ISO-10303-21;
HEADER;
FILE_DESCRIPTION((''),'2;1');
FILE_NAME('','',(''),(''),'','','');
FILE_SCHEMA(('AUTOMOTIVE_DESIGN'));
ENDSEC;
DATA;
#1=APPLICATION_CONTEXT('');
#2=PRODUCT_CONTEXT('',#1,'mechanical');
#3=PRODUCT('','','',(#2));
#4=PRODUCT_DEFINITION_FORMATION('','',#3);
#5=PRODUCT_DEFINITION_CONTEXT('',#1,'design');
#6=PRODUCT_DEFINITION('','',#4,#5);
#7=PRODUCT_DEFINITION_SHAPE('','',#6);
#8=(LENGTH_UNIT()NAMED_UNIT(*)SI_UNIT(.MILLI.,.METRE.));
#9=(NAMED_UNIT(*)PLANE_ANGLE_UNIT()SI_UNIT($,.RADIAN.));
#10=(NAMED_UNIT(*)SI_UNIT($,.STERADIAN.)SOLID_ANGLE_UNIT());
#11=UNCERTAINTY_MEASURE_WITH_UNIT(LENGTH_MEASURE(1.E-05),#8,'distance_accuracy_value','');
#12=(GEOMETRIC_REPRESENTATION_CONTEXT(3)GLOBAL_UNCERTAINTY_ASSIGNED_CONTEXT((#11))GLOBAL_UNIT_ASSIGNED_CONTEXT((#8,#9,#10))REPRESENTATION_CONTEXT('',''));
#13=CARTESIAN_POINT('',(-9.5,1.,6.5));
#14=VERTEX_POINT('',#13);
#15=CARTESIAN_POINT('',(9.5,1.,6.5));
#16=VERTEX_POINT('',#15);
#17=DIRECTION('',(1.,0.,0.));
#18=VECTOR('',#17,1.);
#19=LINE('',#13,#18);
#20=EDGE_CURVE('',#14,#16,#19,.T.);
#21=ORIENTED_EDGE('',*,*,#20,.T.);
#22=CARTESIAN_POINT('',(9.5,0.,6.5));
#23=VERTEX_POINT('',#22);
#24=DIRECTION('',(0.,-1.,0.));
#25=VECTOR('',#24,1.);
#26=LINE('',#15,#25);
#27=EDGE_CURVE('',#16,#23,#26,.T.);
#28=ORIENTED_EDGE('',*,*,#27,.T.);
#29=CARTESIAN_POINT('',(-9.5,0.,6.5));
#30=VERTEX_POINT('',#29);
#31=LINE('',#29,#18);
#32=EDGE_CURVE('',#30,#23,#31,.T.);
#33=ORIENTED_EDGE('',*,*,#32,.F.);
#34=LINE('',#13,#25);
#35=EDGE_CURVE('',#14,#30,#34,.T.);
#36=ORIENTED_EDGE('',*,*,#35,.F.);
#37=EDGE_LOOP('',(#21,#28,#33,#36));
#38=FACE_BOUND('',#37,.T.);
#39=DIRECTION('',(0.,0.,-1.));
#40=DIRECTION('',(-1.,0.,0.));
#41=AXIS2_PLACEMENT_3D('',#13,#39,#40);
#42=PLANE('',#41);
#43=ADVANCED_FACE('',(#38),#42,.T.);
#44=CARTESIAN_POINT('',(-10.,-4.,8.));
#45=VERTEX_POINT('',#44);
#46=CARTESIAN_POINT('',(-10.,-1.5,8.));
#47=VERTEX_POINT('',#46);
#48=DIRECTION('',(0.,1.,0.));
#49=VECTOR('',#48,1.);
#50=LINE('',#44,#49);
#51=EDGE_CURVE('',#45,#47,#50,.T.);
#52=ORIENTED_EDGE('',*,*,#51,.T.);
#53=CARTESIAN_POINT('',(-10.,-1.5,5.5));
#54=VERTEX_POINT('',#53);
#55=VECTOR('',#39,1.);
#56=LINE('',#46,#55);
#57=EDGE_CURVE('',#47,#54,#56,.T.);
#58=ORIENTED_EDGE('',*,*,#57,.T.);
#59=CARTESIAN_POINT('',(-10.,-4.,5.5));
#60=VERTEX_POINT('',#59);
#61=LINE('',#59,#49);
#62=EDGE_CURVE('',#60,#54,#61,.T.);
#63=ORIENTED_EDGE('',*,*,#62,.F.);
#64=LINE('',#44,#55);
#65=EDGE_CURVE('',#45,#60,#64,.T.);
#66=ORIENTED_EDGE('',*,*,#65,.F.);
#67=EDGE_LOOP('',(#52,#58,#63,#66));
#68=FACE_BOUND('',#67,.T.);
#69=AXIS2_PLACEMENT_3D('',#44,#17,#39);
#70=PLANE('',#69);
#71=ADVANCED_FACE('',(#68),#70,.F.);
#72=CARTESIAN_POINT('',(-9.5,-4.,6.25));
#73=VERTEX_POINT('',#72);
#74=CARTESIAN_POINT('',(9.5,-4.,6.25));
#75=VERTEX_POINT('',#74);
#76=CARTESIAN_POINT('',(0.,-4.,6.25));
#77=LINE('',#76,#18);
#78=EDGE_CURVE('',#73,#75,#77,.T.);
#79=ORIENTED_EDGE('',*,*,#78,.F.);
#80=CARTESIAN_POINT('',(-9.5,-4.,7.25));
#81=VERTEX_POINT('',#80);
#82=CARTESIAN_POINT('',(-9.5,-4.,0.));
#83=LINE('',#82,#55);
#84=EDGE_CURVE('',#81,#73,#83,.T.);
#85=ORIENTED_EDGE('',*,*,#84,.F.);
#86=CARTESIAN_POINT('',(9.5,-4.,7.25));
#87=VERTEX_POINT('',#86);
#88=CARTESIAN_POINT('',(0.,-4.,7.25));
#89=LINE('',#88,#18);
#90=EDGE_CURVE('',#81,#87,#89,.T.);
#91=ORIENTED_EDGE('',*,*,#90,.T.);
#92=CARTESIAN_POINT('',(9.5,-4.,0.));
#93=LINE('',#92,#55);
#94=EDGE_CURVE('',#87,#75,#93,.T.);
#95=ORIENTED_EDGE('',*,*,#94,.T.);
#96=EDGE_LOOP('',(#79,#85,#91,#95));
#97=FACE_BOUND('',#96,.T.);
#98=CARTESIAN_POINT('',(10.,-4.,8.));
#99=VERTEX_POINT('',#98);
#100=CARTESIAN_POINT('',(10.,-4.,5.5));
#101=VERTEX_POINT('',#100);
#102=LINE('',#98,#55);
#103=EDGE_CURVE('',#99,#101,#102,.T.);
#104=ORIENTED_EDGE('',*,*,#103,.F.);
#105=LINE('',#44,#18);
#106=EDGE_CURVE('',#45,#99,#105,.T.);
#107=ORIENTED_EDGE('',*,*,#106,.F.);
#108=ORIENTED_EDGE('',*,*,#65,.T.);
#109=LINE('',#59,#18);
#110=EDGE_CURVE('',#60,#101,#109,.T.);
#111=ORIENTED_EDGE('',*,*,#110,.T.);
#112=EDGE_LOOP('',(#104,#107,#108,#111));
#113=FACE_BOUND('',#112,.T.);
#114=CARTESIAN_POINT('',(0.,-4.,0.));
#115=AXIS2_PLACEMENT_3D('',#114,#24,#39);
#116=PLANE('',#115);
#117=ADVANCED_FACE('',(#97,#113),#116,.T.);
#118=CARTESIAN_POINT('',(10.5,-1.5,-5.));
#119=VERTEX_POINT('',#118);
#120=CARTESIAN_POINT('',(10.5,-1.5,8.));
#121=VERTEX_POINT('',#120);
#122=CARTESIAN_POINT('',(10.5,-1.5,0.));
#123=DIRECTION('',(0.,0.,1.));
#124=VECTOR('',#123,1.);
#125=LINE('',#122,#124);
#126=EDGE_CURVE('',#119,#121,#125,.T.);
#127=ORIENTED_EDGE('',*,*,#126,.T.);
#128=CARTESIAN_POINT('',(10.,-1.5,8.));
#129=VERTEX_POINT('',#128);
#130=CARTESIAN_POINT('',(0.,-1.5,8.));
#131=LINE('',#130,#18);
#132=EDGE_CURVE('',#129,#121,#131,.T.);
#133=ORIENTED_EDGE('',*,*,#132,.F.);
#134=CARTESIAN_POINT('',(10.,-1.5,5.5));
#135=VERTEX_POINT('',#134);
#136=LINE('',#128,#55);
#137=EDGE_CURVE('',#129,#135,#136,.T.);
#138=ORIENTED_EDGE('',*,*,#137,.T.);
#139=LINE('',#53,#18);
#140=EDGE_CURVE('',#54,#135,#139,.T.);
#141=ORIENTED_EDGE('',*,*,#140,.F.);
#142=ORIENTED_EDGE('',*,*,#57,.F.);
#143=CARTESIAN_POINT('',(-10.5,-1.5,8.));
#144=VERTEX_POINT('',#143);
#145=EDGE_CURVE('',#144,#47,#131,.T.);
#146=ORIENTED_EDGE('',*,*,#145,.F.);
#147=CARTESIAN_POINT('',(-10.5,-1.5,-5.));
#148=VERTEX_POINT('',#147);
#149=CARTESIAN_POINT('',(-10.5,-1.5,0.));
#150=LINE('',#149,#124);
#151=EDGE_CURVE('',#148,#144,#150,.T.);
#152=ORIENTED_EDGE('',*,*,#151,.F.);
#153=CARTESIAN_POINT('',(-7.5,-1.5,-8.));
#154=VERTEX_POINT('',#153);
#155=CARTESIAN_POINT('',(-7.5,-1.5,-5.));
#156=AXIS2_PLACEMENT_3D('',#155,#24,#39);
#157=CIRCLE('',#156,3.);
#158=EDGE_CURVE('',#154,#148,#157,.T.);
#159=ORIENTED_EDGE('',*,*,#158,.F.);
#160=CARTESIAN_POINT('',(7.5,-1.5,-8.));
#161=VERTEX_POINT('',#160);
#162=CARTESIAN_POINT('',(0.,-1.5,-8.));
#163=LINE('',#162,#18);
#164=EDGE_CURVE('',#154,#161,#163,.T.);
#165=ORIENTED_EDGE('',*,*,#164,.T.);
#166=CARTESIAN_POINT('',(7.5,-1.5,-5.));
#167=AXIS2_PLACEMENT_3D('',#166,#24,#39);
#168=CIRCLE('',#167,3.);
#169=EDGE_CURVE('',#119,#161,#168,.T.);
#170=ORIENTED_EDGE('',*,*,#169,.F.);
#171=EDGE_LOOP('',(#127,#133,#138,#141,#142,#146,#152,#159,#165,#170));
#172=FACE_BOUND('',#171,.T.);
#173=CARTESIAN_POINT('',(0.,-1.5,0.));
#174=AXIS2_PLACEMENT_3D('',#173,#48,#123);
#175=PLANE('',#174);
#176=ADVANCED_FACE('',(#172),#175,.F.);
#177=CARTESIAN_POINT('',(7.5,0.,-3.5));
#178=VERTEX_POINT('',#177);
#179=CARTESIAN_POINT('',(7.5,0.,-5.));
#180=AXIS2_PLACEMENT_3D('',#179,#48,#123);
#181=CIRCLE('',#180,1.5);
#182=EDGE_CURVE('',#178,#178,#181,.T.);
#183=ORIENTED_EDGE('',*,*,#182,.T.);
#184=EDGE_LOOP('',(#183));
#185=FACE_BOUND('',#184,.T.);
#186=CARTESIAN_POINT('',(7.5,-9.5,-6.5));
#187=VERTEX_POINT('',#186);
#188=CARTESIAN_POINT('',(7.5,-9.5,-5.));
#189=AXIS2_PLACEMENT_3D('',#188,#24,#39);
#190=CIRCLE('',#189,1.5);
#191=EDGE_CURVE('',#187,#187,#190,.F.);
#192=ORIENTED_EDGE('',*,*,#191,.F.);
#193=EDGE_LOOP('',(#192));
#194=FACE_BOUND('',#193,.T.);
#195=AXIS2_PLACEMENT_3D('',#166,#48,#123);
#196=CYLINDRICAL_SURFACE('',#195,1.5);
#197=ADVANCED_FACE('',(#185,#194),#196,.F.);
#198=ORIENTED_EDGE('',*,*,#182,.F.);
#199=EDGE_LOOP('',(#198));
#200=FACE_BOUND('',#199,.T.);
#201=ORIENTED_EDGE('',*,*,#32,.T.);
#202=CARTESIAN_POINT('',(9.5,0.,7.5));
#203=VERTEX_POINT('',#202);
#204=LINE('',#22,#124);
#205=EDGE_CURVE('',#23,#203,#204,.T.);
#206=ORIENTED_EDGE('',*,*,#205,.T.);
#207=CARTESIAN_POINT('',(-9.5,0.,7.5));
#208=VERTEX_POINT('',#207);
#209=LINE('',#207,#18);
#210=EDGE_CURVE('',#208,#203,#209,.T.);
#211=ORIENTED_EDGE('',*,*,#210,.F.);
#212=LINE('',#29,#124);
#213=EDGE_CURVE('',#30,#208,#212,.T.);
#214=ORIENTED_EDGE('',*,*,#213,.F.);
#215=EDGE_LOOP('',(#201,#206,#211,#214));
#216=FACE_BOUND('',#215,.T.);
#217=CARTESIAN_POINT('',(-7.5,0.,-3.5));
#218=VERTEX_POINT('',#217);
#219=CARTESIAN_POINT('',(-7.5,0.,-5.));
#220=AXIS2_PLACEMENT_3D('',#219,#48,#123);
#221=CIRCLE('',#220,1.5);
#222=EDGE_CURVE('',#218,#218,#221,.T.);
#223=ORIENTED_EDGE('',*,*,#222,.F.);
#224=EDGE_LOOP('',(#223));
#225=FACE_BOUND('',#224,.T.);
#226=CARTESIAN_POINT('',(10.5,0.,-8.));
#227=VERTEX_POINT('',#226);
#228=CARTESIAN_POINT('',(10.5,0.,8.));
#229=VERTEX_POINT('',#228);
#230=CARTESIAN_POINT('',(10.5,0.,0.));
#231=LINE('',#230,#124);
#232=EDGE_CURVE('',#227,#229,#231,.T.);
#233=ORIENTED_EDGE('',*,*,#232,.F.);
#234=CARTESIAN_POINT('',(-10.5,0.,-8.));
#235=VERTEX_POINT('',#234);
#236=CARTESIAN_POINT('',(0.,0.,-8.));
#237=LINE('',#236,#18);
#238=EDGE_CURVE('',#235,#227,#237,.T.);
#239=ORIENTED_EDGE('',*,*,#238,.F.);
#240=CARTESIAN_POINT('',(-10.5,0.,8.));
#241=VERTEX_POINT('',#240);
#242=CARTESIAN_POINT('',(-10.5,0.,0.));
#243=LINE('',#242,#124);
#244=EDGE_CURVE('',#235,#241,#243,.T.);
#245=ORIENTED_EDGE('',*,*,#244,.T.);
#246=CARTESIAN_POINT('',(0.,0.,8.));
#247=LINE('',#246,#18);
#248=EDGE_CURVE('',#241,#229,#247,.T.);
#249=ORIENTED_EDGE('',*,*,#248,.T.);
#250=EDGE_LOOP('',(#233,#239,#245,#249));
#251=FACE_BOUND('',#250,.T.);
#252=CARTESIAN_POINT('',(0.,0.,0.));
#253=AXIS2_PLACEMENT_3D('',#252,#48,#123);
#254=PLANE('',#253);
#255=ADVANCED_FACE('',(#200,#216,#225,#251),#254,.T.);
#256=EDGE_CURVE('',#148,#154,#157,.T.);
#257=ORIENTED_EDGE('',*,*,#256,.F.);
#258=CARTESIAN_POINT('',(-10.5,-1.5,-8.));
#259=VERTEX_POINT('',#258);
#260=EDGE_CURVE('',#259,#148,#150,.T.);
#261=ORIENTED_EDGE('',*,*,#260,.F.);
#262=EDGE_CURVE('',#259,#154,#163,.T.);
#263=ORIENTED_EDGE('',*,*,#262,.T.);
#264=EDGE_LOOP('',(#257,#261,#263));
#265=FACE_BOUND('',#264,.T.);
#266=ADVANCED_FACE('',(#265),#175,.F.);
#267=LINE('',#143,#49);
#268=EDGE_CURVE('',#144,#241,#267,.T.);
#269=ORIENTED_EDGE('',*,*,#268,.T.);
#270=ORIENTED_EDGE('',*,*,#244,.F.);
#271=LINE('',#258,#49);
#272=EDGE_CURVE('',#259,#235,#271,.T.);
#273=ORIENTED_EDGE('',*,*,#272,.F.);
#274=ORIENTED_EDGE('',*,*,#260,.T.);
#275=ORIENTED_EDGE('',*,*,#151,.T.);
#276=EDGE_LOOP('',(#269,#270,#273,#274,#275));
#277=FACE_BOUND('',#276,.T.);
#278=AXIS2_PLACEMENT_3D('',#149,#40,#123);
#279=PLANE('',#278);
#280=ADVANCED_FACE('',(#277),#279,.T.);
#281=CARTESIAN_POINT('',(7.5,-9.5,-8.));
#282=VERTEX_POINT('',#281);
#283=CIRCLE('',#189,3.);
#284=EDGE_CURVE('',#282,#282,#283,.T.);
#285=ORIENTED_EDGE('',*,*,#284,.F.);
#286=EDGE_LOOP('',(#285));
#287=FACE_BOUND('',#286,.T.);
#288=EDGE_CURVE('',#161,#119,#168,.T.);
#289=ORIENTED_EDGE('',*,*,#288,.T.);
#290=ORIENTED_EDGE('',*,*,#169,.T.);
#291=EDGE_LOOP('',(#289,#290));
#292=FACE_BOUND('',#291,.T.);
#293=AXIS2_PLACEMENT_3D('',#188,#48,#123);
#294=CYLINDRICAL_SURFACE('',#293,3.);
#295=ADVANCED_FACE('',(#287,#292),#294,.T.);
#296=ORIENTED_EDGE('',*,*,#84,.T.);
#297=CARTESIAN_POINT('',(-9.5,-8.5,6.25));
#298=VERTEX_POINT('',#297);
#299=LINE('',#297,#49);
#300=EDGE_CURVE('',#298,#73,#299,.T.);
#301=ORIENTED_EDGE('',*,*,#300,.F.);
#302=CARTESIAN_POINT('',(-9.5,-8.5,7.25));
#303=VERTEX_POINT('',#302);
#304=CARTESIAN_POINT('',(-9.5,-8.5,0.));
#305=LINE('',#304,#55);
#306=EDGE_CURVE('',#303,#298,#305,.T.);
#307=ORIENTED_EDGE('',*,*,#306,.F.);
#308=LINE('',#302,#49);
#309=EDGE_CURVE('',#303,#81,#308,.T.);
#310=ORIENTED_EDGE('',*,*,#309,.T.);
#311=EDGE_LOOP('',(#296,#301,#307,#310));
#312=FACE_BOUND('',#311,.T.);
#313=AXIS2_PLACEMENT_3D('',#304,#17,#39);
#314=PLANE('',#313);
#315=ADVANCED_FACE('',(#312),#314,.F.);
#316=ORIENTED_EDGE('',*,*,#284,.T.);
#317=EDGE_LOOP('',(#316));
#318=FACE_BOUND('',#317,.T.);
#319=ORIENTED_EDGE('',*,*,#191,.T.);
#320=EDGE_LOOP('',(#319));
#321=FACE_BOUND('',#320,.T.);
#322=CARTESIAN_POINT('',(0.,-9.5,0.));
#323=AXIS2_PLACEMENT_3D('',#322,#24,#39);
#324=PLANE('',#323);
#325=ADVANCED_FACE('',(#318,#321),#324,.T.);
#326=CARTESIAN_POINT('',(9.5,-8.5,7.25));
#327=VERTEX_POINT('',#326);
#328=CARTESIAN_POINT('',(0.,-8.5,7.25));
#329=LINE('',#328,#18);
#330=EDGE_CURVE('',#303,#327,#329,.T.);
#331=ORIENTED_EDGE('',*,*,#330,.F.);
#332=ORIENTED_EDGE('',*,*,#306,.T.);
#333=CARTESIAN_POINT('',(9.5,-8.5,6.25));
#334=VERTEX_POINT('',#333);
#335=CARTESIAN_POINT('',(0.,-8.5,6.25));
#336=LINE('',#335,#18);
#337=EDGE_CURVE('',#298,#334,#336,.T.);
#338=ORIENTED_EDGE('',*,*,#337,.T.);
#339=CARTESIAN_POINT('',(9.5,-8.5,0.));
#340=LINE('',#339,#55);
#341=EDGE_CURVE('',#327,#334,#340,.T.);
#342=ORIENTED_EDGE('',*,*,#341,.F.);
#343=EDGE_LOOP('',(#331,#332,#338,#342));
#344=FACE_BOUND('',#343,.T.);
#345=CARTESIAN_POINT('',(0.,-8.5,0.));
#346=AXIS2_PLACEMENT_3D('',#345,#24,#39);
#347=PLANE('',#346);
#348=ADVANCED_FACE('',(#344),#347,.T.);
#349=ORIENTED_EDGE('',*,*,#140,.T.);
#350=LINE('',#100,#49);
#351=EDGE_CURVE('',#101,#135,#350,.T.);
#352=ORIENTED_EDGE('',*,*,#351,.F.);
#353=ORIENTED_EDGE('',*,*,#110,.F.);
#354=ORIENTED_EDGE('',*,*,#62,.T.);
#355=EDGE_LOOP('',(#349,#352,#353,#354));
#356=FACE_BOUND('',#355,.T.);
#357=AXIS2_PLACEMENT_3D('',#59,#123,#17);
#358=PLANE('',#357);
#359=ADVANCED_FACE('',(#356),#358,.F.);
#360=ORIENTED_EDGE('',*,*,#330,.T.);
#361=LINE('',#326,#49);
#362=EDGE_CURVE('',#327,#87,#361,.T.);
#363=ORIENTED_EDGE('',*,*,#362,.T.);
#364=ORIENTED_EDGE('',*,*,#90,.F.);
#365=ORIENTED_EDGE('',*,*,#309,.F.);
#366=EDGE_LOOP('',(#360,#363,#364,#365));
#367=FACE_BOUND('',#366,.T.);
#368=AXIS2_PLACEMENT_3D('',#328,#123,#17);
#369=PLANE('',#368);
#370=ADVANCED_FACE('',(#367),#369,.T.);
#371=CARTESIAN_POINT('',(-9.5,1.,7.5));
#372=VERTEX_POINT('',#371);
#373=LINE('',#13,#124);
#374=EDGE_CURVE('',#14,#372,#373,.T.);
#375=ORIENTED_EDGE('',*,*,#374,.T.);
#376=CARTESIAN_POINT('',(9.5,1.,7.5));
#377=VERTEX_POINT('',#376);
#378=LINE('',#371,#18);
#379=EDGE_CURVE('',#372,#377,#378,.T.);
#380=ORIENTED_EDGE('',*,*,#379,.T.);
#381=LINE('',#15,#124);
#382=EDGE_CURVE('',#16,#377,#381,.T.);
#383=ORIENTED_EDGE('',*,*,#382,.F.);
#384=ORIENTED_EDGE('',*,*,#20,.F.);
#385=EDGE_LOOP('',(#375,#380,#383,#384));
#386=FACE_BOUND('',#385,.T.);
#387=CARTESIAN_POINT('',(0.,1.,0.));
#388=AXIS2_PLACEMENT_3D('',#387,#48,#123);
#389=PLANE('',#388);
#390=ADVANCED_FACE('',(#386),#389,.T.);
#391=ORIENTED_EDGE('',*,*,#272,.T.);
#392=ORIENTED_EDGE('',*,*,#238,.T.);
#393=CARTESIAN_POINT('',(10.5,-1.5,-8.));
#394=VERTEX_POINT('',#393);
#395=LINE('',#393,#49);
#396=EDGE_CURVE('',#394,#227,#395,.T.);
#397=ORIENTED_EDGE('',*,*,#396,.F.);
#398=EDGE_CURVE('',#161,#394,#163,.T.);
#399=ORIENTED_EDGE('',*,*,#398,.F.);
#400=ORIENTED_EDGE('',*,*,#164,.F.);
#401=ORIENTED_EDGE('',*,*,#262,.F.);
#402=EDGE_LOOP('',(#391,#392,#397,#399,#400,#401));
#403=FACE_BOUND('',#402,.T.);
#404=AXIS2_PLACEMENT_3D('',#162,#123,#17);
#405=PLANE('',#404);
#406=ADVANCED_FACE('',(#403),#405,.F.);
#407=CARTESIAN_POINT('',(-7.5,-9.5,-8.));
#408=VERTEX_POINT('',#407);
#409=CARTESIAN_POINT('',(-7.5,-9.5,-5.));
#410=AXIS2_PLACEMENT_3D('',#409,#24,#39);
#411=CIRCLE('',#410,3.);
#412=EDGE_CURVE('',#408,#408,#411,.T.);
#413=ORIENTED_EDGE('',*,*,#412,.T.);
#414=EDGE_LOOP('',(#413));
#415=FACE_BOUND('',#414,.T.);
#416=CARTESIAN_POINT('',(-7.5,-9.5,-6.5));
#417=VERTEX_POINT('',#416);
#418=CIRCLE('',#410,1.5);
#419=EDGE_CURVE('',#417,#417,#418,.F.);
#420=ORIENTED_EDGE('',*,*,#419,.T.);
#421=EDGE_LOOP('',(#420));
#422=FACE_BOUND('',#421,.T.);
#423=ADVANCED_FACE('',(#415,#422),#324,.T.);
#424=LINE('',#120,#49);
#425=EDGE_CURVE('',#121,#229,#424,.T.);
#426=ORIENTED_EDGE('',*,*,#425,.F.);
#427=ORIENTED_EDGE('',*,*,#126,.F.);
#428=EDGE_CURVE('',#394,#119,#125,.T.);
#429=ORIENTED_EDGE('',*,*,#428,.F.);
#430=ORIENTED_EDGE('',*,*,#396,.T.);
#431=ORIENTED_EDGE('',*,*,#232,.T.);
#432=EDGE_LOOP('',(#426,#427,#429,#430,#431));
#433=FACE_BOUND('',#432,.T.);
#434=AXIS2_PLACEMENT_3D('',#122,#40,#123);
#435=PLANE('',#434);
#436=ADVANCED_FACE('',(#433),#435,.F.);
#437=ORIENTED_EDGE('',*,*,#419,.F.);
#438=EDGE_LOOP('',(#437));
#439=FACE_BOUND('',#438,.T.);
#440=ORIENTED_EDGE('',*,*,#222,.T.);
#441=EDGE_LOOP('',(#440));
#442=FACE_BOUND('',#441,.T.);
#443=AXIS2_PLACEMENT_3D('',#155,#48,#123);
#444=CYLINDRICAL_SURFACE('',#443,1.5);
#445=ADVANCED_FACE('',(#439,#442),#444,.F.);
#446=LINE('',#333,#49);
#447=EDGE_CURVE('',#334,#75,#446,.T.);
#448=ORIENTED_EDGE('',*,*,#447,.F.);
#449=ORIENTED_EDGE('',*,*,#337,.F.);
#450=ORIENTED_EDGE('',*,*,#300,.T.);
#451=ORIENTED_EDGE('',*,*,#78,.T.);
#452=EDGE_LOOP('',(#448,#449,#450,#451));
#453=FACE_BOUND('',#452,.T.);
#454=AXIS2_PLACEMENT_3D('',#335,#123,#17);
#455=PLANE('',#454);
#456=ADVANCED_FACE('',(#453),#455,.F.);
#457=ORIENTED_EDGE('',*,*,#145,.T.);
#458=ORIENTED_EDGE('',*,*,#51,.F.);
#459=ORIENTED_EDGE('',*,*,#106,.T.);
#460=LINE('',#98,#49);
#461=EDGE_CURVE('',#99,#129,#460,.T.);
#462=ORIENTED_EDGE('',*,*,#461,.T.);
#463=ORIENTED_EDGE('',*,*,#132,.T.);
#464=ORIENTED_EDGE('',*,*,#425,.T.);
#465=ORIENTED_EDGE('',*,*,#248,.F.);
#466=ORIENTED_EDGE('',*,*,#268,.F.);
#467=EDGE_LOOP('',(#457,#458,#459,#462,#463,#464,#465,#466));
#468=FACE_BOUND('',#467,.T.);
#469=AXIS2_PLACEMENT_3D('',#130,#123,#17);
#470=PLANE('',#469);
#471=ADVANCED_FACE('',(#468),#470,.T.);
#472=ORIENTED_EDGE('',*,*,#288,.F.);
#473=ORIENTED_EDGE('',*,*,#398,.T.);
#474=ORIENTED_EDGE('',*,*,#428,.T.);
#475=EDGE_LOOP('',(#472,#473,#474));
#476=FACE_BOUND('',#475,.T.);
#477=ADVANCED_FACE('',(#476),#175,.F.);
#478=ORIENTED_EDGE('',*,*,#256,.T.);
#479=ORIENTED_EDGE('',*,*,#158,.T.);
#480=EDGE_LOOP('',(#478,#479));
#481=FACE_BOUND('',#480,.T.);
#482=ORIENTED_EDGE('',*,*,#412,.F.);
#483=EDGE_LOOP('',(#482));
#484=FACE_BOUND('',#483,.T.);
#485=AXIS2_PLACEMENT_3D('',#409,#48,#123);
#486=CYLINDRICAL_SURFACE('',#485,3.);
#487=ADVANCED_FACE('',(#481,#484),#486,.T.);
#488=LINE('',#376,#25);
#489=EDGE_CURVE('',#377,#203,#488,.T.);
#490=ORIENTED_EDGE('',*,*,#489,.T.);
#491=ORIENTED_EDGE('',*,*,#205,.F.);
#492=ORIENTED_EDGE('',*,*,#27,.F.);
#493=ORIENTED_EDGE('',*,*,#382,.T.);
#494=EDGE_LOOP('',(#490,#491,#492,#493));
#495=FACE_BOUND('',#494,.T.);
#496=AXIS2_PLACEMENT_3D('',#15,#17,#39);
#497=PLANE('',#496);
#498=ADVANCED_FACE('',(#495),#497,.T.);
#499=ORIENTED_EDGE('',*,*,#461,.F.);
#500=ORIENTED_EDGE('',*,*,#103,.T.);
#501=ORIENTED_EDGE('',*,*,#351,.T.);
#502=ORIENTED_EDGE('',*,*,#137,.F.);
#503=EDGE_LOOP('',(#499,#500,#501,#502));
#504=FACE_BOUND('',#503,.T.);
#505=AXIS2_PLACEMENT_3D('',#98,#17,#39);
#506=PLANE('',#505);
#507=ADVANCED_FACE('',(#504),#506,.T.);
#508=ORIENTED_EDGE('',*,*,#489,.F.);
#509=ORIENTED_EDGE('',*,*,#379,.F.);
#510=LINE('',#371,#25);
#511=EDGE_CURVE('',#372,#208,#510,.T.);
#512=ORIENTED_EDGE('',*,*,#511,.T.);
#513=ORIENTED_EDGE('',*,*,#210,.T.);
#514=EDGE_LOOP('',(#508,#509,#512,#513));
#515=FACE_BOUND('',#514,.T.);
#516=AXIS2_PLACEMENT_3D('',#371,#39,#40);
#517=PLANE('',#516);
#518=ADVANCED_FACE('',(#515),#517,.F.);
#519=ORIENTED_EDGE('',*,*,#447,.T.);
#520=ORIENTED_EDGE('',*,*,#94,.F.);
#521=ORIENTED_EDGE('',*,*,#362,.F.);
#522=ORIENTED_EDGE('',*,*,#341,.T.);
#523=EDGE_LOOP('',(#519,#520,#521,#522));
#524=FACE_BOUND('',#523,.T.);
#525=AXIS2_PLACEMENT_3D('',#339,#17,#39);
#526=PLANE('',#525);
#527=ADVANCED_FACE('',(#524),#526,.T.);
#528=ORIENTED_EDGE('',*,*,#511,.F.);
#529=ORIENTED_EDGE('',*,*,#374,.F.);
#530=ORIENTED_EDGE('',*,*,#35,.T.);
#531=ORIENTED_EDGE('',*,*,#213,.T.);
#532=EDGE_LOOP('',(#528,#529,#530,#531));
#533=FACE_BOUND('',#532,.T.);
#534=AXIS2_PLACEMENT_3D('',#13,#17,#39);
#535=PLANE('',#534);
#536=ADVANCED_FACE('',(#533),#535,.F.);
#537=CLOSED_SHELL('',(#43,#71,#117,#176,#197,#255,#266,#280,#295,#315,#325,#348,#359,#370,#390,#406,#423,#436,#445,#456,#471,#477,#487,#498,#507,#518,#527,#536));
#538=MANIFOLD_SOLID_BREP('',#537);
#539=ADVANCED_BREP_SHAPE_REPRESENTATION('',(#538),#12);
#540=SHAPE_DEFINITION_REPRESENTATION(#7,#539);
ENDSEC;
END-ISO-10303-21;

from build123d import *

# Parameters (mm, degrees)
SKETCH_1_W      = 21
SKETCH_1_H      = 16
SKETCH_1_R      = 1.5
EXTRUDE_2_DEPTH = 1.5
SKETCH_1_4_W    = 19
SKETCH_1_4_H    = 1
EXTRUDE_3_DEPTH = 1
SKETCH_3_W      = 19
SKETCH_3_H      = 1
EXTRUDE_4_DEPTH = 7
SKETCH_3_3_W    = 20
SKETCH_3_3_H    = 2.5
EXTRUDE_5_DEPTH = 2.5
SKETCH_4_R      = 3
SKETCH_4_R_2    = 1.5
EXTRUDE_6_DEPTH = 8


with BuildPart() as part:
    # Эскиз1 → Бобышка-Вытянуть2 (new body)
    with BuildSketch(Plane(origin=(0, 0, 0), x_dir=(1, 0, 0), z_dir=(0, 1, 0))):
        Rectangle(SKETCH_1_W, SKETCH_1_H)
        with Locations((-7.5, 5)):
            Circle(SKETCH_1_R, mode=Mode.SUBTRACT)
        with Locations((7.5, 5)):
            Circle(SKETCH_1_R, mode=Mode.SUBTRACT)
    extrude(amount=-EXTRUDE_2_DEPTH)

    # Эскиз1<4> → Бобышка-Вытянуть3 (add)
    with BuildSketch(Plane(origin=(0, 0, 0), x_dir=(1, 0, 0), z_dir=(0, 1, 0))):
        with Locations((0, -7)):
            Rectangle(SKETCH_1_4_W, SKETCH_1_4_H)
    extrude(amount=EXTRUDE_3_DEPTH)

    # Эскиз3 → Бобышка-Вытянуть4 (add)
    with BuildSketch(Plane.XZ.offset(1.5)):
        with Locations((0, 6.75)):
            Rectangle(SKETCH_3_W, SKETCH_3_H)
    extrude(amount=EXTRUDE_4_DEPTH)

    # Эскиз3<3> → Бобышка-Вытянуть5 (add)
    with BuildSketch(Plane.XZ.offset(1.5)):
        with Locations((0, 6.75)):
            Rectangle(SKETCH_3_3_W, SKETCH_3_3_H)
    extrude(amount=EXTRUDE_5_DEPTH)

    # Эскиз4 → Бобышка-Вытянуть6 (add)
    # profile 1 of 2: a face of its own
    with BuildSketch(Plane.XZ.offset(1.5)):
        with Locations((-7.5, -5)):
            Circle(SKETCH_4_R)
        with Locations((-7.5, -5)):
            Circle(SKETCH_4_R_2, mode=Mode.SUBTRACT)
    # profile 2 of 2: a face of its own
    with BuildSketch(Plane.XZ.offset(1.5)):
        with Locations((7.5, -5)):
            Circle(SKETCH_4_R)
        with Locations((7.5, -5)):
            Circle(SKETCH_4_R_2, mode=Mode.SUBTRACT)
    extrude(amount=EXTRUDE_6_DEPTH)


solid = part.part
